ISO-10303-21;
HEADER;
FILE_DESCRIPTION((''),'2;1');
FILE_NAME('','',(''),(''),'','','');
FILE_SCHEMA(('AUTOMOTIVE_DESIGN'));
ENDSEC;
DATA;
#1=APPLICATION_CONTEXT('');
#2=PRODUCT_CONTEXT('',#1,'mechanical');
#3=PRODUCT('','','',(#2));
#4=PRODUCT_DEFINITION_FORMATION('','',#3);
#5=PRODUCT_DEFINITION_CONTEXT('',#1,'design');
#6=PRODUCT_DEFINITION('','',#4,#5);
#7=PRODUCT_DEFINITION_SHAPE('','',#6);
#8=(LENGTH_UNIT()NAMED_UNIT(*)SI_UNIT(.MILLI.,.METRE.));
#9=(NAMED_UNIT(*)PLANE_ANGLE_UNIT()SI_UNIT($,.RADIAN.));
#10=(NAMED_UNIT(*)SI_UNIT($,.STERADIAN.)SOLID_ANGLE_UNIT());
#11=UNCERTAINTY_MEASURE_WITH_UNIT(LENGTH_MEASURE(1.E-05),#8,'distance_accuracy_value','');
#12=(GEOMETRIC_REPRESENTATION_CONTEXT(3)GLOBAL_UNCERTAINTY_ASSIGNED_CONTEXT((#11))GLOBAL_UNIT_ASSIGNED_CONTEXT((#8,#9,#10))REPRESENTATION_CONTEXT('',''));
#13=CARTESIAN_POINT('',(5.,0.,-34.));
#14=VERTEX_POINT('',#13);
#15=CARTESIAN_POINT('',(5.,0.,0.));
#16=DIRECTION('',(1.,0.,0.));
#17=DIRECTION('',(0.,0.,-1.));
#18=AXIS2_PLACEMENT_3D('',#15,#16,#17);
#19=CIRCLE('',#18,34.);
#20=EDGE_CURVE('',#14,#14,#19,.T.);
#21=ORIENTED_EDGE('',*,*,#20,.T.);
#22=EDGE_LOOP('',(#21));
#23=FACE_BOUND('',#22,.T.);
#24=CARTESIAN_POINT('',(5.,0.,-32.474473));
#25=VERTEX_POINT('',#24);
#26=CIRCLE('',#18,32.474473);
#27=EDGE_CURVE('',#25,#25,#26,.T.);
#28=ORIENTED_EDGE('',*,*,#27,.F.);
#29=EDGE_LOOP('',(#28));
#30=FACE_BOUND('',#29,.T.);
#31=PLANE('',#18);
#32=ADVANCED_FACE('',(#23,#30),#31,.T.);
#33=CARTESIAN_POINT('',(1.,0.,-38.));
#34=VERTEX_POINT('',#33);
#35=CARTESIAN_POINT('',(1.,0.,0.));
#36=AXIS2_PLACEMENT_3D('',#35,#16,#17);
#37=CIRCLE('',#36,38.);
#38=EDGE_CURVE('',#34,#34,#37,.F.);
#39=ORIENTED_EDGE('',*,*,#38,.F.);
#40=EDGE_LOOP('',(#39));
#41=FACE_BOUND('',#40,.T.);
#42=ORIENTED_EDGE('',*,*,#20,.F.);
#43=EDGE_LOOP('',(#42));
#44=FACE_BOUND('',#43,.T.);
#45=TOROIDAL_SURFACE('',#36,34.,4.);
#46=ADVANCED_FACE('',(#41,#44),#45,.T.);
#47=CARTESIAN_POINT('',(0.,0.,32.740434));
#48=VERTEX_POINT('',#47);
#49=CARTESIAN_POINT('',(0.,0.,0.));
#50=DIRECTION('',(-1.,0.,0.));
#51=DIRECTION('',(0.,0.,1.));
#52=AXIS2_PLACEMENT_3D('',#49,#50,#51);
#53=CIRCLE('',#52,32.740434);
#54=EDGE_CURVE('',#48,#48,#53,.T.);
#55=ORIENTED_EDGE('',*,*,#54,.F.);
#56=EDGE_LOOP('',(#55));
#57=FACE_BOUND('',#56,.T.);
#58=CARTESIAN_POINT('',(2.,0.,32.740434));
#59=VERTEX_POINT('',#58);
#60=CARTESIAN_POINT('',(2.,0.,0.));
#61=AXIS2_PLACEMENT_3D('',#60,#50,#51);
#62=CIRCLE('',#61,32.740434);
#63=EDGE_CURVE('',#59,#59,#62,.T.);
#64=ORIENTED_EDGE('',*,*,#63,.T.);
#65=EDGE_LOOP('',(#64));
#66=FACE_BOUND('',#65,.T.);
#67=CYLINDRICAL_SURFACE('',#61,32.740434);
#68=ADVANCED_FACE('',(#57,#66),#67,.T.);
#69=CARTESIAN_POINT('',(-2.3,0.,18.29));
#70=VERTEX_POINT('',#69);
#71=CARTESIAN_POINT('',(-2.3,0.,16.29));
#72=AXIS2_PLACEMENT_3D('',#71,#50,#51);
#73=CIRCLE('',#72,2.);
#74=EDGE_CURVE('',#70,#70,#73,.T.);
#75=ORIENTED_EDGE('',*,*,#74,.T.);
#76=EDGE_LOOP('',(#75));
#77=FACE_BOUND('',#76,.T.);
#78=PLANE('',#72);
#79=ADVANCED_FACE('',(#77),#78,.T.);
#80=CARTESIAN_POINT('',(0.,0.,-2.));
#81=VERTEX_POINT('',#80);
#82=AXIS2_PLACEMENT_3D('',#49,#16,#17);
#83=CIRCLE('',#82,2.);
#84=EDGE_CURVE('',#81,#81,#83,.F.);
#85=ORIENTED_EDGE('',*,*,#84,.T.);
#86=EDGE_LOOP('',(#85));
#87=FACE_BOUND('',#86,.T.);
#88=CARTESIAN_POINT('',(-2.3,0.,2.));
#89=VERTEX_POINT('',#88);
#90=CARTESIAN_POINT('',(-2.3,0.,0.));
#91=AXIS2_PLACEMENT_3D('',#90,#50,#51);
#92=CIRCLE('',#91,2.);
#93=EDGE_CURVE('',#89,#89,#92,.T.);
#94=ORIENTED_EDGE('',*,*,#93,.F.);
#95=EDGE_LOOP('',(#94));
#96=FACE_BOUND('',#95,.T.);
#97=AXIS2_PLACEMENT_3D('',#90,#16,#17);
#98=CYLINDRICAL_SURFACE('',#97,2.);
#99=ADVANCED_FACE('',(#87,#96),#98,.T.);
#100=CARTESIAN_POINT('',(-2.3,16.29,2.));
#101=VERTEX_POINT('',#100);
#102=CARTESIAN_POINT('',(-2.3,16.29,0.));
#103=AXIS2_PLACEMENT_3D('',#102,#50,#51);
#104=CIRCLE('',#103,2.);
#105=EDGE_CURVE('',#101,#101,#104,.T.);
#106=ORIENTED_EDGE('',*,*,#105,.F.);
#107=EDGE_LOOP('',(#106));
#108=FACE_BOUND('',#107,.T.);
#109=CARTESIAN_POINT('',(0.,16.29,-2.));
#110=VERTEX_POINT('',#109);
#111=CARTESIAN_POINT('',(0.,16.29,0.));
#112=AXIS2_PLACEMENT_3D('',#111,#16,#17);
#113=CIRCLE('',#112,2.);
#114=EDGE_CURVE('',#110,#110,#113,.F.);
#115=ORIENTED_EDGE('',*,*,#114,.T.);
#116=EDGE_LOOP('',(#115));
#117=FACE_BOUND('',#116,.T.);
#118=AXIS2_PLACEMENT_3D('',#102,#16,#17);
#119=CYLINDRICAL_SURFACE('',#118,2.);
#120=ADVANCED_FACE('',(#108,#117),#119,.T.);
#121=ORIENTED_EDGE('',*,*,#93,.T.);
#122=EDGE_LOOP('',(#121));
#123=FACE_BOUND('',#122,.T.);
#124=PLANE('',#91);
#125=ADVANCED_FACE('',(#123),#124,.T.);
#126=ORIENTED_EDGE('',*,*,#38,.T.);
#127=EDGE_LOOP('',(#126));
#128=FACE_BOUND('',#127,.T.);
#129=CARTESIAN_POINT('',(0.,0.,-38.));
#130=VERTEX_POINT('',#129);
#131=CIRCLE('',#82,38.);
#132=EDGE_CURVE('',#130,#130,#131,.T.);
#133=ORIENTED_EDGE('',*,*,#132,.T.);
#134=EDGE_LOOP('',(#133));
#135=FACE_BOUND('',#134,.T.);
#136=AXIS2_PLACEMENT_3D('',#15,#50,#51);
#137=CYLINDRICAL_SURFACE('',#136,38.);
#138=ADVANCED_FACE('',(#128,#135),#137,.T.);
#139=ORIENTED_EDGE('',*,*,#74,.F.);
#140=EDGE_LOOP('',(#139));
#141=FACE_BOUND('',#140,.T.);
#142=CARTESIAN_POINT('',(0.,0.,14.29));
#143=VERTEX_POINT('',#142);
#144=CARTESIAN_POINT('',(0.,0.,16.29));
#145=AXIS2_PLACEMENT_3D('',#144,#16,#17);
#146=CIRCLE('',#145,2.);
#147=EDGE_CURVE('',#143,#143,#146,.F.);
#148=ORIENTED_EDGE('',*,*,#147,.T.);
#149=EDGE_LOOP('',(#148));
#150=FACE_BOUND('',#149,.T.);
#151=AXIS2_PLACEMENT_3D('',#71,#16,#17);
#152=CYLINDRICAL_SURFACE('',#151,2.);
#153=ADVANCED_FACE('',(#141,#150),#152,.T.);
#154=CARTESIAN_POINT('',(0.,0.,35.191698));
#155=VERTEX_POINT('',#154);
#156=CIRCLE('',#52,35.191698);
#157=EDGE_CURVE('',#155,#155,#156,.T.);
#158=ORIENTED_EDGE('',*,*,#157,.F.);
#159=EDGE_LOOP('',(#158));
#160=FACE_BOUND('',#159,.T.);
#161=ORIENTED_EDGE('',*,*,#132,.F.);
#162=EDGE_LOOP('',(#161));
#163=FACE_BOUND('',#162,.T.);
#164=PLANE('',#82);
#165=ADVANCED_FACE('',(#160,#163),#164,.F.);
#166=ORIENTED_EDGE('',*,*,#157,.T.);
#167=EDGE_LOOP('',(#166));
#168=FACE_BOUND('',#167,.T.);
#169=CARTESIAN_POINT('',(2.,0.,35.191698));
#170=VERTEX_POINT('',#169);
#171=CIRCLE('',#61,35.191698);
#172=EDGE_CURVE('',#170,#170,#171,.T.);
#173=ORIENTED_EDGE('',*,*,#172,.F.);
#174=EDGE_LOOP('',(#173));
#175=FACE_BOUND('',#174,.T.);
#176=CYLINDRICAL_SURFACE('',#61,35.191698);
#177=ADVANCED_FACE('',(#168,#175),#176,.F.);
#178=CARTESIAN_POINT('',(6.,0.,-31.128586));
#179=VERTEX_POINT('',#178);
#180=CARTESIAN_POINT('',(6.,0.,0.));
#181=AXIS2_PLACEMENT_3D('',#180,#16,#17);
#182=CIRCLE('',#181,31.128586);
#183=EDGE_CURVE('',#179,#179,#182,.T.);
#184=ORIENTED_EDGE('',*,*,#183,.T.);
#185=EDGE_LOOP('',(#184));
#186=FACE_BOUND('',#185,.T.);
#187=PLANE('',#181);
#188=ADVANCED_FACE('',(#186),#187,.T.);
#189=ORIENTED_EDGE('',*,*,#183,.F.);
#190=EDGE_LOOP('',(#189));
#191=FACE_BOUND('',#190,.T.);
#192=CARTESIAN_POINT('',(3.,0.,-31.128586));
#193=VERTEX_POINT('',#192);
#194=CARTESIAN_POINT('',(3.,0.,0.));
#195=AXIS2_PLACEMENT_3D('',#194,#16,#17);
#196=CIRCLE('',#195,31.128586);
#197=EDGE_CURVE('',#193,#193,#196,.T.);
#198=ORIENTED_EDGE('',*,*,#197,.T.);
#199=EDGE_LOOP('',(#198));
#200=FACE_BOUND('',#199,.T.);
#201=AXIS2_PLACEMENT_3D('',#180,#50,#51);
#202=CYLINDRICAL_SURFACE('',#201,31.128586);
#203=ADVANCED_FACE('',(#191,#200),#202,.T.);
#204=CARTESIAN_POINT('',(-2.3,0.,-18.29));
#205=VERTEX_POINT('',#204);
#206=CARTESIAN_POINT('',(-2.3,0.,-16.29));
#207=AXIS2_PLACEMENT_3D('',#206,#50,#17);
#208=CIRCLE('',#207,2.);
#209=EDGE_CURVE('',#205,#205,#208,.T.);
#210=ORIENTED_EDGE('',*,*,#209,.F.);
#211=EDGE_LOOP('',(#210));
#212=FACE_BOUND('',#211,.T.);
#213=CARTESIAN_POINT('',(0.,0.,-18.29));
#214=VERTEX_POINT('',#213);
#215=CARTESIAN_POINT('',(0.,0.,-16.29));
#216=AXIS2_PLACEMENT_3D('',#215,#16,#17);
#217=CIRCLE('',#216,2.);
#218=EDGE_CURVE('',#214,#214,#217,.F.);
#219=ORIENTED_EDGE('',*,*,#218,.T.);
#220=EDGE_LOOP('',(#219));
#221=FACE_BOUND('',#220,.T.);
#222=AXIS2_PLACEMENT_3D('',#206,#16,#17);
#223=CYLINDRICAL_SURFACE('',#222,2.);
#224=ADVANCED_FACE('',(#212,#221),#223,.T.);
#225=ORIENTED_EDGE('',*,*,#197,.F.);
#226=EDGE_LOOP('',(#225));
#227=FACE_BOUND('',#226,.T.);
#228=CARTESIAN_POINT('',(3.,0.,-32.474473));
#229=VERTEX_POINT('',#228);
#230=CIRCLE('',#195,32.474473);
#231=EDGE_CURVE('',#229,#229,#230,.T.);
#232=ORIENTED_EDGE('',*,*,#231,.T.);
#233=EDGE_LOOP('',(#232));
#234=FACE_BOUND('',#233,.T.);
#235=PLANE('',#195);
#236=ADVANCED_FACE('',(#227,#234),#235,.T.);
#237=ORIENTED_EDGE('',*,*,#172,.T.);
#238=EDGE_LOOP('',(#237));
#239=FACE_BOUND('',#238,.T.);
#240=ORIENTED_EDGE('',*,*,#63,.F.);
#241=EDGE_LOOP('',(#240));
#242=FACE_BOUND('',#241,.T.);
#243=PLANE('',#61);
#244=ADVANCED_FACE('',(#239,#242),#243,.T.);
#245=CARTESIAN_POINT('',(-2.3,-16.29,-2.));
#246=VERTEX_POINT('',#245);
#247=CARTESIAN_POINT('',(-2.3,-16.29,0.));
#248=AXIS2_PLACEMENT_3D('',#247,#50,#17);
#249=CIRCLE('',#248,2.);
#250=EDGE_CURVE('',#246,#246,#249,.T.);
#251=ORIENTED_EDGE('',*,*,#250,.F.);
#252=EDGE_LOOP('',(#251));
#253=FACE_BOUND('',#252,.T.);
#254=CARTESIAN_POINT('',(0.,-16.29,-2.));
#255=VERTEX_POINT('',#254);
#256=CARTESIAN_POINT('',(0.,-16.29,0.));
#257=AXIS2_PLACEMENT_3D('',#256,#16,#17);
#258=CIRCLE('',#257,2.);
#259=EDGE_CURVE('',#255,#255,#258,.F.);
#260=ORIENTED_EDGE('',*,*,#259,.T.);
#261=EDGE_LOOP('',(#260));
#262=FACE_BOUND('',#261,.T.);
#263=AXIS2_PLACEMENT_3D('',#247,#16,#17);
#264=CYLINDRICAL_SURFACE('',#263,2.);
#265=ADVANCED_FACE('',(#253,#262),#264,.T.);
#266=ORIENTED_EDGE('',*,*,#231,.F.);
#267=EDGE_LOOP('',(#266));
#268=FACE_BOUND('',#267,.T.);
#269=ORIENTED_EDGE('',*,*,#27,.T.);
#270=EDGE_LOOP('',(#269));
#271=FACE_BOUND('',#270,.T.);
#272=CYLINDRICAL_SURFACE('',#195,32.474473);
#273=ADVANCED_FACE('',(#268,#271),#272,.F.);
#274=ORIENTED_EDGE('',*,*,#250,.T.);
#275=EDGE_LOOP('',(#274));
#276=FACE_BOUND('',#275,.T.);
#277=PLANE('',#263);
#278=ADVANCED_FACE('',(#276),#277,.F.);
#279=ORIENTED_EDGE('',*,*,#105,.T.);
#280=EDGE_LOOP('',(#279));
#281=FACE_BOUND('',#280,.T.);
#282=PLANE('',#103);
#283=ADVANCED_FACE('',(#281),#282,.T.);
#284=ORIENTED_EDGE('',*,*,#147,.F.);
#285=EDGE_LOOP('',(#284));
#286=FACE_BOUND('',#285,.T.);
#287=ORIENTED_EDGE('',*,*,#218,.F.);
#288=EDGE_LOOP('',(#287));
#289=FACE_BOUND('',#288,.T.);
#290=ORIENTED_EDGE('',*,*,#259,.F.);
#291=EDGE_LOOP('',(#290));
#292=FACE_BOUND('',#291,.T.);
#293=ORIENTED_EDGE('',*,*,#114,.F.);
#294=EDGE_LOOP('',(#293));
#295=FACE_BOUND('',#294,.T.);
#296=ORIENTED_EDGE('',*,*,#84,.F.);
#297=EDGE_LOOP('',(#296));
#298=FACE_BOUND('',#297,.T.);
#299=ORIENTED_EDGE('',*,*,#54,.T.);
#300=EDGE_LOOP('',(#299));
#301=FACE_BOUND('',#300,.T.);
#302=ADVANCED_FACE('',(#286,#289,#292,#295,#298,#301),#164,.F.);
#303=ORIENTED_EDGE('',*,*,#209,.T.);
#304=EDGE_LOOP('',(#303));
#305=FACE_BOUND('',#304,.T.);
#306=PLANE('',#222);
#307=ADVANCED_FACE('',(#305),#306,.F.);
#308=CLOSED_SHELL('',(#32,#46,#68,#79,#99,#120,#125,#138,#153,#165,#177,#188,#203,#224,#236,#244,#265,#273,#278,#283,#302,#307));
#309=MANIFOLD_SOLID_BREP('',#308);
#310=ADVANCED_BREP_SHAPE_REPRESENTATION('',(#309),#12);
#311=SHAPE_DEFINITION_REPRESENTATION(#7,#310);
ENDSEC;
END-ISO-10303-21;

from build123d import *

# Parameters (mm, degrees)
SKETCH1_R           = 38
BOSS_EXTRUDE1_DEPTH = 5
FILLET1_R           = 4
SKETCH2_R           = 2
BOSS_EXTRUDE2_DEPTH = 2.3
SKETCH3_R           = 32.474473425
CUT_EXTRUDE1_DEPTH  = 2
SKETCH4_R           = 35.191697817
SKETCH4_R_2         = 32.740433986
CUT_EXTRUDE2_DEPTH  = 2
SKETCH5_R           = 31.128585578
BOSS_EXTRUDE3_DEPTH = 3


with BuildPart() as part:
    # Sketch1 → Boss-Extrude1 (new body)
    with BuildSketch(Plane(origin=(0, 0, 0), x_dir=(0, 0, -1), z_dir=(1, 0, 0))):
        Circle(SKETCH1_R)
    extrude(amount=BOSS_EXTRUDE1_DEPTH)

    # Fillet1
    fillet1_edges = [part.edges().sort_by_distance(p)[0] for p in [
        (5, 0, 38),
    ]]
    fillet(fillet1_edges, radius=FILLET1_R)

    # Sketch2 → Boss-Extrude2 (add)
    with BuildSketch(Plane.ZY):
        with Locations(Location((0, 0, 0), (0, 0, 180))):
            Circle(SKETCH2_R)
        with Locations(Location((0, 16.29, 0), (0, 0, 180))):
            Circle(SKETCH2_R)
        with Locations(Location((16.29, 0, 0), (0, 0, 180))):
            Circle(SKETCH2_R)
        with Locations(Location((-16.29, 0, 0), (0, 0, 180))):
            Circle(SKETCH2_R)
        with Locations(Location((0, -16.29, 0), (0, 0, 180))):
            Circle(SKETCH2_R)
    extrude(amount=BOSS_EXTRUDE2_DEPTH)

    # Sketch3 → Cut-Extrude1 (cut)
    with BuildSketch(Plane(origin=(5, 0, 0), x_dir=(0, 0, -1), z_dir=(1, 0, 0))):
        Circle(SKETCH3_R)
    extrude(amount=-CUT_EXTRUDE1_DEPTH, mode=Mode.SUBTRACT)

    # Sketch4 → Cut-Extrude2 (cut)
    with BuildSketch(Plane.ZY):
        Circle(SKETCH4_R)
        Circle(SKETCH4_R_2, mode=Mode.SUBTRACT)
    extrude(amount=-CUT_EXTRUDE2_DEPTH, mode=Mode.SUBTRACT)

    # Sketch5 → Boss-Extrude3 (add)
    with BuildSketch(Plane(origin=(3, 0, 0), x_dir=(0, 0, -1), z_dir=(1, 0, 0))):
        Circle(SKETCH5_R)
    extrude(amount=BOSS_EXTRUDE3_DEPTH)


solid = part.part
